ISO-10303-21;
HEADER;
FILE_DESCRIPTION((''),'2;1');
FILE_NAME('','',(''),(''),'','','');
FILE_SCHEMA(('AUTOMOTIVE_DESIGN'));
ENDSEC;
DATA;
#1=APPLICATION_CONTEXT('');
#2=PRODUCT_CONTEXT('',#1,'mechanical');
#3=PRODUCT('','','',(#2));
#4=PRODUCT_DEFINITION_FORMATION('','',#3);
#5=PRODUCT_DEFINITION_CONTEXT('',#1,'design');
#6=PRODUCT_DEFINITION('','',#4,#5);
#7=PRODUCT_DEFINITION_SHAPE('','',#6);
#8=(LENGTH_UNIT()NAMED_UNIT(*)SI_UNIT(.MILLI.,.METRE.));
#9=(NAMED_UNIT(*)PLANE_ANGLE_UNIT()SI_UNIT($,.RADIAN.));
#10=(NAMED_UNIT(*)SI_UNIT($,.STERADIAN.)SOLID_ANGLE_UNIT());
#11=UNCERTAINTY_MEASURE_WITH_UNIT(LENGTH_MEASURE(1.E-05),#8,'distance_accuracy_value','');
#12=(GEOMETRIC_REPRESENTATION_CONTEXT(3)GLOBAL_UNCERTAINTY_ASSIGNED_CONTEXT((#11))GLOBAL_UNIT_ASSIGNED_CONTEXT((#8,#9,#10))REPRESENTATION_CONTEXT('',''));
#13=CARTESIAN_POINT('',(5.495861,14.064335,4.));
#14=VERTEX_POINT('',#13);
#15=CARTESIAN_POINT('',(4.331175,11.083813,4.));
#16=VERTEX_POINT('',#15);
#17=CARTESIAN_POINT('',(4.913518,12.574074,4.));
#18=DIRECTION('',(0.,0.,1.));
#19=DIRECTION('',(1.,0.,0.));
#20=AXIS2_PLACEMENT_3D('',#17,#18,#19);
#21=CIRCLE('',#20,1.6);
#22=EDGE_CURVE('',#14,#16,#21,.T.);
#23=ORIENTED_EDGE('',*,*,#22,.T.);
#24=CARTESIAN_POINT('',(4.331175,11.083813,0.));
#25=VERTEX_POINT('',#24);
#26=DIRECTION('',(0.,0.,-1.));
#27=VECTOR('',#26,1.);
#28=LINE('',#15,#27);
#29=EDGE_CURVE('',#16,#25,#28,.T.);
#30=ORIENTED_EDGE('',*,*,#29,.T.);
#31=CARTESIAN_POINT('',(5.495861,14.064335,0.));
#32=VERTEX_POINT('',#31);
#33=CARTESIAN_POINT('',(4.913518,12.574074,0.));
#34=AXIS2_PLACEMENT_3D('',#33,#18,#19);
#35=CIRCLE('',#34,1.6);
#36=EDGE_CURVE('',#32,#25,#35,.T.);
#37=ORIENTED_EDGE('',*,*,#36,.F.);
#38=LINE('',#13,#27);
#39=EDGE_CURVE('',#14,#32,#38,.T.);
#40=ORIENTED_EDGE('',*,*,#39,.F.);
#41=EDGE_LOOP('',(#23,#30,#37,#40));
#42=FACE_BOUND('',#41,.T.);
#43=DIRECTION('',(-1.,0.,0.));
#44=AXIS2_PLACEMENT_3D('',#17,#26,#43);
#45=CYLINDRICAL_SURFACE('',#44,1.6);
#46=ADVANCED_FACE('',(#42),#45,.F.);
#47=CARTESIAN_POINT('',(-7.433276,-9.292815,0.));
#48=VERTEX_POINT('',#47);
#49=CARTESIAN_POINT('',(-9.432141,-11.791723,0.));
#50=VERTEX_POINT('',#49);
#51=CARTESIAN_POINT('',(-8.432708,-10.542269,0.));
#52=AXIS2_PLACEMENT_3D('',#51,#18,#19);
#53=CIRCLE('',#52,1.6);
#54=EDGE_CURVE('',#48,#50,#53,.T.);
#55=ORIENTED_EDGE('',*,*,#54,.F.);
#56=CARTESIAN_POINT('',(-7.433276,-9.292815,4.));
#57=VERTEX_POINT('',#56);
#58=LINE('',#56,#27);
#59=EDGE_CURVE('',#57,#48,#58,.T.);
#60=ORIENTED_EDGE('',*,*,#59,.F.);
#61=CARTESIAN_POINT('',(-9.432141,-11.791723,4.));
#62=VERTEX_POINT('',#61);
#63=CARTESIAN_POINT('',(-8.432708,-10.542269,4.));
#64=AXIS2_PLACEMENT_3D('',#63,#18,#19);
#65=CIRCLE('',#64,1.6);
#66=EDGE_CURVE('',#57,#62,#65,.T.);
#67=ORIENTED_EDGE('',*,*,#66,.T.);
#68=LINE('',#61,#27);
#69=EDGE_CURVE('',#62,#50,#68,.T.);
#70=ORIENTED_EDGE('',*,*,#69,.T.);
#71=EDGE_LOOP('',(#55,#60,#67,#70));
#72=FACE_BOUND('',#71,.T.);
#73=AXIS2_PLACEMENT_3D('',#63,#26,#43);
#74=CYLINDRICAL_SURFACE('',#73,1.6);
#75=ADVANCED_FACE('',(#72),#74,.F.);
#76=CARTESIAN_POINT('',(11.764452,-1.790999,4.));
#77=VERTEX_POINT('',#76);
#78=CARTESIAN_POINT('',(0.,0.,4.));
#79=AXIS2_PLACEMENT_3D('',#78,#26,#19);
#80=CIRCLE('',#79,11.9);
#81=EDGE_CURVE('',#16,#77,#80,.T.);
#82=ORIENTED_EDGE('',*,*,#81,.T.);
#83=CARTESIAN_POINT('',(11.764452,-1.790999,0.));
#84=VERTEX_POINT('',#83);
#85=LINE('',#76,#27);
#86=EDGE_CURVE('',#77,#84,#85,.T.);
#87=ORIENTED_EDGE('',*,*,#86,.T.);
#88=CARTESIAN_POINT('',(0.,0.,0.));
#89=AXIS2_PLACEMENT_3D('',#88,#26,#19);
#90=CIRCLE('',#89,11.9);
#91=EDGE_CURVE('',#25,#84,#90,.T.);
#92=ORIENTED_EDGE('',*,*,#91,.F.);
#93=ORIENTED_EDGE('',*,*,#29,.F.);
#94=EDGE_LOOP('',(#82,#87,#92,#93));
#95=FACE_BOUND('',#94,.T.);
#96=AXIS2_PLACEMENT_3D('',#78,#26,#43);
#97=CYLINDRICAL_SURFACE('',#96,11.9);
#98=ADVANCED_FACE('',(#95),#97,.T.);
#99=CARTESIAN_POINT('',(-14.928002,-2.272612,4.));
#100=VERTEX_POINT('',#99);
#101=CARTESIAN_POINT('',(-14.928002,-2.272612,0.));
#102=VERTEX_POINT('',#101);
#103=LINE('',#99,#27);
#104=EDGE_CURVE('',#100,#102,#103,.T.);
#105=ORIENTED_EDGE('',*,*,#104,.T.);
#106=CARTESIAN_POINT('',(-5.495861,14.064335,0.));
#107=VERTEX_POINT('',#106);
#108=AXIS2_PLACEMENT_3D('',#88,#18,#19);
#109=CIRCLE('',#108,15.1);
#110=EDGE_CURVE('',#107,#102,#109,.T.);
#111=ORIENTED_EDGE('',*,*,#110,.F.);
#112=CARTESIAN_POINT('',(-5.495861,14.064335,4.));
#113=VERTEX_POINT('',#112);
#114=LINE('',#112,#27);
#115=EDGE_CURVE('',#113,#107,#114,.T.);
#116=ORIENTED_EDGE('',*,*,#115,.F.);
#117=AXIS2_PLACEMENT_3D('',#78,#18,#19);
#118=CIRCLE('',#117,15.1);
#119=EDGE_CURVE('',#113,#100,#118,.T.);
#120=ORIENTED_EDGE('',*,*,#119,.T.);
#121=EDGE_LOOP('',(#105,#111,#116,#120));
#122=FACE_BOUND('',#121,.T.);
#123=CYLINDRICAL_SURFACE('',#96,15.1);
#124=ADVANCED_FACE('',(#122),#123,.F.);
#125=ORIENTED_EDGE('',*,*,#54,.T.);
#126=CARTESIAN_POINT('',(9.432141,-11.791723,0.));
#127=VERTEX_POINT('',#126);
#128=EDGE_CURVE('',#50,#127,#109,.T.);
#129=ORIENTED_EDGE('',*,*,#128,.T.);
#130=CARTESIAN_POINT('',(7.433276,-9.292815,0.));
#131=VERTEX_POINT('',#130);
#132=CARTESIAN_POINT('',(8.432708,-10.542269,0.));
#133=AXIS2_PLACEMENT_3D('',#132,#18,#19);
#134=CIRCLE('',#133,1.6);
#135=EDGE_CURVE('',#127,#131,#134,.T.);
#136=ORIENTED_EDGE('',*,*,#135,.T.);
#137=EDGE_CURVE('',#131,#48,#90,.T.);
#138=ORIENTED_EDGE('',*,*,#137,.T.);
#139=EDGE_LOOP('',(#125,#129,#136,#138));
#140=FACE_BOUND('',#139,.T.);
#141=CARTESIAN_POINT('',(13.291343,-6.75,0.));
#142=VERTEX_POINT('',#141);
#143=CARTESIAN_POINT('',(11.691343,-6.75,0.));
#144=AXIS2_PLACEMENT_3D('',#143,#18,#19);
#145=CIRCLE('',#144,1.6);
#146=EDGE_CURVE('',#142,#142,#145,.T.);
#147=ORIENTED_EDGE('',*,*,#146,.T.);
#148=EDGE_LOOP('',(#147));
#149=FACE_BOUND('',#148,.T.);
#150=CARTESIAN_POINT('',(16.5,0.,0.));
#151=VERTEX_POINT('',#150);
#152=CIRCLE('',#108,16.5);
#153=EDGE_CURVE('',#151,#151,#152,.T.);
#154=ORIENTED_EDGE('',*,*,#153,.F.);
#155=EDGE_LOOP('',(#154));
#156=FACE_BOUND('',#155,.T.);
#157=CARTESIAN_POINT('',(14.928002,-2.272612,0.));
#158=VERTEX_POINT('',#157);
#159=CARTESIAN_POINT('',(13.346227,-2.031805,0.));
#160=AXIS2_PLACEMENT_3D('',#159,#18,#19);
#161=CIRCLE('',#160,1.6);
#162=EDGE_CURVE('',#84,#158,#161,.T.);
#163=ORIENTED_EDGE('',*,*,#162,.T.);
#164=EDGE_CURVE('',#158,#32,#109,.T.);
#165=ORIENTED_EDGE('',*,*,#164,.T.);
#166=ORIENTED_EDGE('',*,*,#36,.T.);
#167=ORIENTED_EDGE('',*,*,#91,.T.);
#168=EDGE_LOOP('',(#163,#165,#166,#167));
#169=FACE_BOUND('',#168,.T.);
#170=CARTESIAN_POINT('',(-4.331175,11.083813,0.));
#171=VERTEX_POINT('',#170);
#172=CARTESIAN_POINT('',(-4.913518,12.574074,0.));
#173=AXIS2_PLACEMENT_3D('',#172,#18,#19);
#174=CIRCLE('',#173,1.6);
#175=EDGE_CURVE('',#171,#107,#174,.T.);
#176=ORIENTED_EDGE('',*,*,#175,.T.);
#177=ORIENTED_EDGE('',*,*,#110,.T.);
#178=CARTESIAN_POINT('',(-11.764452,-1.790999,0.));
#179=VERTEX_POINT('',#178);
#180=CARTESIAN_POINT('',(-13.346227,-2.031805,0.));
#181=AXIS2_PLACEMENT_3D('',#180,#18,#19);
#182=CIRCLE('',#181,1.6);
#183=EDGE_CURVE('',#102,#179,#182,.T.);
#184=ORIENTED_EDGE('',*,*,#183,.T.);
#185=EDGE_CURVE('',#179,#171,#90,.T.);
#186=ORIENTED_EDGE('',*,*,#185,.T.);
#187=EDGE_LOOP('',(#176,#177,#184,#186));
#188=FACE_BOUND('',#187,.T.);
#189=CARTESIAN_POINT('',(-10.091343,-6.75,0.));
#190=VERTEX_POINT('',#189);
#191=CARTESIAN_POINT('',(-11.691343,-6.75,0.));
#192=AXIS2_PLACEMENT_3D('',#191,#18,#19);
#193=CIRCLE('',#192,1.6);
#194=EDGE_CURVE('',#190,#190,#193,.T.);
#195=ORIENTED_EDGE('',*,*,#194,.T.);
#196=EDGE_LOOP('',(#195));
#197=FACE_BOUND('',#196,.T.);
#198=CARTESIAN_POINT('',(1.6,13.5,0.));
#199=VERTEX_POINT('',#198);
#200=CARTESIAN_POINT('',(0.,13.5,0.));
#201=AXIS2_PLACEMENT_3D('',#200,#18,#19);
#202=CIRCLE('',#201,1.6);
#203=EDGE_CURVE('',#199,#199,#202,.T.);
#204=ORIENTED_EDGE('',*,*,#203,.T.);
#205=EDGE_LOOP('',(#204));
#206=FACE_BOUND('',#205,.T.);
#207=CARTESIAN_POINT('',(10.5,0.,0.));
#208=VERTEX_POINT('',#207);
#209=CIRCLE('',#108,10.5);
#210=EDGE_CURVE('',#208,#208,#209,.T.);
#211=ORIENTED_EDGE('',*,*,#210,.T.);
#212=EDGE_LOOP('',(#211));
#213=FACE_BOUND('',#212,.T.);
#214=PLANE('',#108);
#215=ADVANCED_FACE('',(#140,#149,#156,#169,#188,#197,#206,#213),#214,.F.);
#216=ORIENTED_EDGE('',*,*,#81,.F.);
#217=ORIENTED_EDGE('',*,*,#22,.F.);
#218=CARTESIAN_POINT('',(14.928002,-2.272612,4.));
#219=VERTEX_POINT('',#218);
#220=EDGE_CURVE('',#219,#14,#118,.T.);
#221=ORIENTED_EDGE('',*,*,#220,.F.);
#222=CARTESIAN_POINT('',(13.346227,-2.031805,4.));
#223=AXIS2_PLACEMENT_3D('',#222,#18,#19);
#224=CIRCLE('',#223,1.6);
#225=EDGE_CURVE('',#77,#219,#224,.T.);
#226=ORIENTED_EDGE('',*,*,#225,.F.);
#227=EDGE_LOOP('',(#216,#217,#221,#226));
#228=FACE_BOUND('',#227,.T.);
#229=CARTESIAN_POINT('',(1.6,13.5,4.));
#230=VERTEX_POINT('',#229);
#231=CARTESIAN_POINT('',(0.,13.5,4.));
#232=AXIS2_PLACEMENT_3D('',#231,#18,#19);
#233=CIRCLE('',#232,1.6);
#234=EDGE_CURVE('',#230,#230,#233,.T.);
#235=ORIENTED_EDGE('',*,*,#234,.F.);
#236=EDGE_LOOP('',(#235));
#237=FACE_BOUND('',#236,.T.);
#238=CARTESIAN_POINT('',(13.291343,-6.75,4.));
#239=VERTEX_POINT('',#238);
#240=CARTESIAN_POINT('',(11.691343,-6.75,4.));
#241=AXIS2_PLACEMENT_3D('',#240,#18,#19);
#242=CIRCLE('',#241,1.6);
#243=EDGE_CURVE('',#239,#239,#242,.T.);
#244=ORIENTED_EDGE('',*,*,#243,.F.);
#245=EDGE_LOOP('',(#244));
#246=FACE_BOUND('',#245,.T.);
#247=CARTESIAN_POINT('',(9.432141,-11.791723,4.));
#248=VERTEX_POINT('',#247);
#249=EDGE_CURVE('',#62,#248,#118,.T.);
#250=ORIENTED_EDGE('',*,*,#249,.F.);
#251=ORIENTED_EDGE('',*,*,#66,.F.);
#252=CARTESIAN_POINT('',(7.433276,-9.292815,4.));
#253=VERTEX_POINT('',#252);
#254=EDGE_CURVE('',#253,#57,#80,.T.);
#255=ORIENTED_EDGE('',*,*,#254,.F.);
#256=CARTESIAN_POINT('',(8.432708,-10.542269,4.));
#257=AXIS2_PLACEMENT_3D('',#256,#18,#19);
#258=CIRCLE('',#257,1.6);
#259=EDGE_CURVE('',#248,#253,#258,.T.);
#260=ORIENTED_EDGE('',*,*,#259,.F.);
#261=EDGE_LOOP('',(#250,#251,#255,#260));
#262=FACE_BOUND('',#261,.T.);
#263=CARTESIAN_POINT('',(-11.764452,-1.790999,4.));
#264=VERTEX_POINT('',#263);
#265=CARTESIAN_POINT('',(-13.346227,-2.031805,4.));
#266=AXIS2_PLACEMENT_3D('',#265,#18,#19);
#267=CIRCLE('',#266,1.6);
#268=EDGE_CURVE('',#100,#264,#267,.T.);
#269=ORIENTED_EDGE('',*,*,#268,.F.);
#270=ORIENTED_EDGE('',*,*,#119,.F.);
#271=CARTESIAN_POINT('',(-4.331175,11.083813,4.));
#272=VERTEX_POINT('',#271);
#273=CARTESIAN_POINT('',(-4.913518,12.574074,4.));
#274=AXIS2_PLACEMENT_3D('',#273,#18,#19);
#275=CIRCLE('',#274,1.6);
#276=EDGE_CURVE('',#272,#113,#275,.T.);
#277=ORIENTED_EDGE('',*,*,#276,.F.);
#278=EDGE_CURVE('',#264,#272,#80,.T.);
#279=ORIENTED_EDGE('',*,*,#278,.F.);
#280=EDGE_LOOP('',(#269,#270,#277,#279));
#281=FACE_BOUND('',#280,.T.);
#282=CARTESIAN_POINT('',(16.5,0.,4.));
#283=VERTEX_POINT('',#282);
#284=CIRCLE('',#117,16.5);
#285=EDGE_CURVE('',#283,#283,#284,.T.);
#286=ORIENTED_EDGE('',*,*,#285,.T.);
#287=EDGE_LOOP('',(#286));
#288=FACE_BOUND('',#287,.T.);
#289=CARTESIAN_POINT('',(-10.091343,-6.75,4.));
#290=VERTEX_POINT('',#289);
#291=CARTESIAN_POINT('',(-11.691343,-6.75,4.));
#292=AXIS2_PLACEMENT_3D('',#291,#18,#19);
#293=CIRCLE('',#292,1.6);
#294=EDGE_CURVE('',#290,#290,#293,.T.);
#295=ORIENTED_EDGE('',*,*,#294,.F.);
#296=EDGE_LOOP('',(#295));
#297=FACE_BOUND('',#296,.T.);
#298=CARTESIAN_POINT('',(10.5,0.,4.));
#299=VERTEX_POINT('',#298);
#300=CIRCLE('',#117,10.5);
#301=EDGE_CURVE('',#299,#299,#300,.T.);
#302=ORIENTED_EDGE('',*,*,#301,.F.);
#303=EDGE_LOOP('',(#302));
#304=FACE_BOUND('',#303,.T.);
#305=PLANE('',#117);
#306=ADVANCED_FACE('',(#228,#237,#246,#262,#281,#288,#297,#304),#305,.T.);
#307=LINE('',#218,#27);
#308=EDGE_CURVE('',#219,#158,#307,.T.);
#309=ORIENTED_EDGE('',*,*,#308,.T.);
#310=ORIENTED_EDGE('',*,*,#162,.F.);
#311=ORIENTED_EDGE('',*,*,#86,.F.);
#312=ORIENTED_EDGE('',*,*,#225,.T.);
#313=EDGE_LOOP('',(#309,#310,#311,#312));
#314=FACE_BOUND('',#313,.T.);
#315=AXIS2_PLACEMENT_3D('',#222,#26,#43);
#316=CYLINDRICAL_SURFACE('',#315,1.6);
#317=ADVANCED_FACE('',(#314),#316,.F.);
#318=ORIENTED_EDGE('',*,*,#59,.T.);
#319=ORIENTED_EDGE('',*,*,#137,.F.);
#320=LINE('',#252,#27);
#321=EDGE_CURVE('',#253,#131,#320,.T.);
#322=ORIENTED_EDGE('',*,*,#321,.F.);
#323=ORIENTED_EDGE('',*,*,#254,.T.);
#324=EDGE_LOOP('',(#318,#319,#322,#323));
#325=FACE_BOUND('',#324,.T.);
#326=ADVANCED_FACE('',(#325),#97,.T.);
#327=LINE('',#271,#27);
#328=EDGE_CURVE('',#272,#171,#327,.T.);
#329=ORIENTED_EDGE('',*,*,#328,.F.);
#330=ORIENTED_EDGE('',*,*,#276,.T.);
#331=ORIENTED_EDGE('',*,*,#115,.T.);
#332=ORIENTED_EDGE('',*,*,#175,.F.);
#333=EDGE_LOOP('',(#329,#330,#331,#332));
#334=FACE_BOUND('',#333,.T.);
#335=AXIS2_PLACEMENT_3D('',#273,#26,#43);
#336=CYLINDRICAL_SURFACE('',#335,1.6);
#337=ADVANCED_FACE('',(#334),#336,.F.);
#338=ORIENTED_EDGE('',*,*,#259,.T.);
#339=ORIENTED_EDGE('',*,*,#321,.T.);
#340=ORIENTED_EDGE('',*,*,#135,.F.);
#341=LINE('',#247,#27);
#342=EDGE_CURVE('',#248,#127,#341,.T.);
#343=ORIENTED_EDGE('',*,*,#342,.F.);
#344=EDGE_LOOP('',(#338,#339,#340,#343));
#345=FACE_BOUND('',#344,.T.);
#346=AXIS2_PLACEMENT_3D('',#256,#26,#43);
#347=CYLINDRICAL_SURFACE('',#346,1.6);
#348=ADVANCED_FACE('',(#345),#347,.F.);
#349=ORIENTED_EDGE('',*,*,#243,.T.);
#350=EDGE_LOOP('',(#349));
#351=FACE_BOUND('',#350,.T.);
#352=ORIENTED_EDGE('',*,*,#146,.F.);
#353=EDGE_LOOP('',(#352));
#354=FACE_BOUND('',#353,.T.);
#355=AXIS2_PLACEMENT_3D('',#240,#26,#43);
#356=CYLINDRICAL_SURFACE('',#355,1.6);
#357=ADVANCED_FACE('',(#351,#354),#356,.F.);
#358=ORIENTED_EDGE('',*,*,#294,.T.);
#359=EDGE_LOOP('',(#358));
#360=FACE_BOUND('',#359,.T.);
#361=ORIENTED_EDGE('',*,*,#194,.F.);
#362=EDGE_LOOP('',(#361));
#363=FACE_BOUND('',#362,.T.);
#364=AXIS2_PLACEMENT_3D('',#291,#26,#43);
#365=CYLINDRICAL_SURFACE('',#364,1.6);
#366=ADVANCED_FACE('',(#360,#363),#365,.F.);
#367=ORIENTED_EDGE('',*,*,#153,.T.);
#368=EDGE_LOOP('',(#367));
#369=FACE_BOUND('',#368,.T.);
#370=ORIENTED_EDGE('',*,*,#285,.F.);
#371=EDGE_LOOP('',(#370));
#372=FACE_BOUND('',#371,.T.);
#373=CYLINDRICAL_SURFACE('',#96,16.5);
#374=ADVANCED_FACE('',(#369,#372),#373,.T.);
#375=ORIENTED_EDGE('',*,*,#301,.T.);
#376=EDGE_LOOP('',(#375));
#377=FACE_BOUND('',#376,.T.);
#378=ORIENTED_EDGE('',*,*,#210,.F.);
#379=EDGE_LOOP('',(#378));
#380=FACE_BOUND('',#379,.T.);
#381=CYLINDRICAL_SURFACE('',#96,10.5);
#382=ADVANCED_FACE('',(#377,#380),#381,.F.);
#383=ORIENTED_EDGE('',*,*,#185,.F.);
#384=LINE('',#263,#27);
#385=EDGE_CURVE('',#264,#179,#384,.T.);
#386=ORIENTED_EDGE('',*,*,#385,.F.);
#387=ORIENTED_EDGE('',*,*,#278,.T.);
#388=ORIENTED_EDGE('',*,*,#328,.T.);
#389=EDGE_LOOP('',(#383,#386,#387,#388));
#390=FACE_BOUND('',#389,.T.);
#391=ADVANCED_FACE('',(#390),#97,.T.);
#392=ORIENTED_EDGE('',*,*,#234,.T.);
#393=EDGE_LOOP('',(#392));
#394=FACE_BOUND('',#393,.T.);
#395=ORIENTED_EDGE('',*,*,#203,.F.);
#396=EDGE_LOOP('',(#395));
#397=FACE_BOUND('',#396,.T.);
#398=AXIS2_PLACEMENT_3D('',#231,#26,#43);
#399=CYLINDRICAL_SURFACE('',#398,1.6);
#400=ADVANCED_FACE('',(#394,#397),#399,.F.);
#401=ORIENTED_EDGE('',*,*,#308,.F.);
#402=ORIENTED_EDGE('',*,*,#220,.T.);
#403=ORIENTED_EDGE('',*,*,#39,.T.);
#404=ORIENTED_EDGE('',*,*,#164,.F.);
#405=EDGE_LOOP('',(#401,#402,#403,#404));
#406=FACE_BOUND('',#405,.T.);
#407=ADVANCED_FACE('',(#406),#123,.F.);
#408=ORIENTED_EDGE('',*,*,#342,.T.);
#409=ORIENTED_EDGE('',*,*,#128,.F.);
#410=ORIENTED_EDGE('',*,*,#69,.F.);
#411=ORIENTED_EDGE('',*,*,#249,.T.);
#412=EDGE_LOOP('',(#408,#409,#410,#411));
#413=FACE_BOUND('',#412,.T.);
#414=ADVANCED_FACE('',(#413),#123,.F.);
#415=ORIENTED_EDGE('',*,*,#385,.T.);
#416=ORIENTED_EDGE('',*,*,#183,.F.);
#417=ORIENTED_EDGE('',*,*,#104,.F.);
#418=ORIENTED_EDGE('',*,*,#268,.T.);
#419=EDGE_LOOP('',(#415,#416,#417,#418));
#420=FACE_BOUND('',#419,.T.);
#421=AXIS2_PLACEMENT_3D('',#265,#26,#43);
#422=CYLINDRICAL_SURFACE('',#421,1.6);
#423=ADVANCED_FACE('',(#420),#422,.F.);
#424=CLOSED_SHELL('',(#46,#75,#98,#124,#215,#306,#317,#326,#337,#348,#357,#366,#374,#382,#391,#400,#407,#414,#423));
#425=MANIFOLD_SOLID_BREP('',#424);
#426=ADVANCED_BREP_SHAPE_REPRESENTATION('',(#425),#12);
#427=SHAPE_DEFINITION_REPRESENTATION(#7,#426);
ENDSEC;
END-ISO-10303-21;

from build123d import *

# Parameters (mm, degrees)
SKETCH_1_R      = 16.5
SKETCH_1_R_2    = 10.5
SKETCH_1_R_3    = 1.6
EXTRUDE_1_DEPTH = 4


with BuildPart() as part:
    # 草图1 → 凸台-拉伸1 (new body)
    with BuildSketch(Plane.XY):
        Circle(SKETCH_1_R)
        Circle(SKETCH_1_R_2, mode=Mode.SUBTRACT)
        with Locations((0, 13.5)):
            Circle(SKETCH_1_R_3, mode=Mode.SUBTRACT)
        with Locations((11.691342951, -6.75)):
            Circle(SKETCH_1_R_3, mode=Mode.SUBTRACT)
        with Locations((-11.691342951, -6.75)):
            Circle(SKETCH_1_R_3, mode=Mode.SUBTRACT)
        with BuildLine():
            ThreePointArc((-4.331175309, 11.083813443), (-3.423257577, 13.156416973), (-5.495861107, 14.064334705))
            ThreePointArc((-5.495861107, 14.064334705), (-13.076983597, 7.55), (-14.928001695, -2.272612018))
            ThreePointArc((-14.928001695, -2.272612018), (-13.10542011, -3.613580461), (-11.764451667, -1.790998875))
            ThreePointArc((-11.764451667, -1.790998875), (-10.305702305, 5.95), (-4.331175309, 11.083813443))
        make_face(mode=Mode.SUBTRACT)
        with BuildLine():
            ThreePointArc((11.764451667, -1.790998876), (13.10542011, -3.613580461), (14.928001695, -2.272612019))
            ThreePointArc((14.928001695, -2.272612019), (13.076983597, 7.55), (5.495861107, 14.064334705))
            ThreePointArc((5.495861107, 14.064334705), (3.423257577, 13.156416973), (4.331175309, 11.083813443))
            ThreePointArc((4.331175309, 11.083813443), (10.305702305, 5.95), (11.764451667, -1.790998876))
        make_face(mode=Mode.SUBTRACT)
        with BuildLine():
            ThreePointArc((-7.433276358, -9.292814568), (-9.682162533, -9.542836512), (-9.432140589, -11.791722687))
            ThreePointArc((-9.432140589, -11.791722687), (0, -15.1), (9.432140588, -11.791722687))
            ThreePointArc((9.432140588, -11.791722687), (9.682162533, -9.542836512), (7.433276358, -9.292814568))
            ThreePointArc((7.433276358, -9.292814568), (0, -11.9), (-7.433276358, -9.292814568))
        make_face(mode=Mode.SUBTRACT)
    extrude(amount=EXTRUDE_1_DEPTH)


solid = part.part
